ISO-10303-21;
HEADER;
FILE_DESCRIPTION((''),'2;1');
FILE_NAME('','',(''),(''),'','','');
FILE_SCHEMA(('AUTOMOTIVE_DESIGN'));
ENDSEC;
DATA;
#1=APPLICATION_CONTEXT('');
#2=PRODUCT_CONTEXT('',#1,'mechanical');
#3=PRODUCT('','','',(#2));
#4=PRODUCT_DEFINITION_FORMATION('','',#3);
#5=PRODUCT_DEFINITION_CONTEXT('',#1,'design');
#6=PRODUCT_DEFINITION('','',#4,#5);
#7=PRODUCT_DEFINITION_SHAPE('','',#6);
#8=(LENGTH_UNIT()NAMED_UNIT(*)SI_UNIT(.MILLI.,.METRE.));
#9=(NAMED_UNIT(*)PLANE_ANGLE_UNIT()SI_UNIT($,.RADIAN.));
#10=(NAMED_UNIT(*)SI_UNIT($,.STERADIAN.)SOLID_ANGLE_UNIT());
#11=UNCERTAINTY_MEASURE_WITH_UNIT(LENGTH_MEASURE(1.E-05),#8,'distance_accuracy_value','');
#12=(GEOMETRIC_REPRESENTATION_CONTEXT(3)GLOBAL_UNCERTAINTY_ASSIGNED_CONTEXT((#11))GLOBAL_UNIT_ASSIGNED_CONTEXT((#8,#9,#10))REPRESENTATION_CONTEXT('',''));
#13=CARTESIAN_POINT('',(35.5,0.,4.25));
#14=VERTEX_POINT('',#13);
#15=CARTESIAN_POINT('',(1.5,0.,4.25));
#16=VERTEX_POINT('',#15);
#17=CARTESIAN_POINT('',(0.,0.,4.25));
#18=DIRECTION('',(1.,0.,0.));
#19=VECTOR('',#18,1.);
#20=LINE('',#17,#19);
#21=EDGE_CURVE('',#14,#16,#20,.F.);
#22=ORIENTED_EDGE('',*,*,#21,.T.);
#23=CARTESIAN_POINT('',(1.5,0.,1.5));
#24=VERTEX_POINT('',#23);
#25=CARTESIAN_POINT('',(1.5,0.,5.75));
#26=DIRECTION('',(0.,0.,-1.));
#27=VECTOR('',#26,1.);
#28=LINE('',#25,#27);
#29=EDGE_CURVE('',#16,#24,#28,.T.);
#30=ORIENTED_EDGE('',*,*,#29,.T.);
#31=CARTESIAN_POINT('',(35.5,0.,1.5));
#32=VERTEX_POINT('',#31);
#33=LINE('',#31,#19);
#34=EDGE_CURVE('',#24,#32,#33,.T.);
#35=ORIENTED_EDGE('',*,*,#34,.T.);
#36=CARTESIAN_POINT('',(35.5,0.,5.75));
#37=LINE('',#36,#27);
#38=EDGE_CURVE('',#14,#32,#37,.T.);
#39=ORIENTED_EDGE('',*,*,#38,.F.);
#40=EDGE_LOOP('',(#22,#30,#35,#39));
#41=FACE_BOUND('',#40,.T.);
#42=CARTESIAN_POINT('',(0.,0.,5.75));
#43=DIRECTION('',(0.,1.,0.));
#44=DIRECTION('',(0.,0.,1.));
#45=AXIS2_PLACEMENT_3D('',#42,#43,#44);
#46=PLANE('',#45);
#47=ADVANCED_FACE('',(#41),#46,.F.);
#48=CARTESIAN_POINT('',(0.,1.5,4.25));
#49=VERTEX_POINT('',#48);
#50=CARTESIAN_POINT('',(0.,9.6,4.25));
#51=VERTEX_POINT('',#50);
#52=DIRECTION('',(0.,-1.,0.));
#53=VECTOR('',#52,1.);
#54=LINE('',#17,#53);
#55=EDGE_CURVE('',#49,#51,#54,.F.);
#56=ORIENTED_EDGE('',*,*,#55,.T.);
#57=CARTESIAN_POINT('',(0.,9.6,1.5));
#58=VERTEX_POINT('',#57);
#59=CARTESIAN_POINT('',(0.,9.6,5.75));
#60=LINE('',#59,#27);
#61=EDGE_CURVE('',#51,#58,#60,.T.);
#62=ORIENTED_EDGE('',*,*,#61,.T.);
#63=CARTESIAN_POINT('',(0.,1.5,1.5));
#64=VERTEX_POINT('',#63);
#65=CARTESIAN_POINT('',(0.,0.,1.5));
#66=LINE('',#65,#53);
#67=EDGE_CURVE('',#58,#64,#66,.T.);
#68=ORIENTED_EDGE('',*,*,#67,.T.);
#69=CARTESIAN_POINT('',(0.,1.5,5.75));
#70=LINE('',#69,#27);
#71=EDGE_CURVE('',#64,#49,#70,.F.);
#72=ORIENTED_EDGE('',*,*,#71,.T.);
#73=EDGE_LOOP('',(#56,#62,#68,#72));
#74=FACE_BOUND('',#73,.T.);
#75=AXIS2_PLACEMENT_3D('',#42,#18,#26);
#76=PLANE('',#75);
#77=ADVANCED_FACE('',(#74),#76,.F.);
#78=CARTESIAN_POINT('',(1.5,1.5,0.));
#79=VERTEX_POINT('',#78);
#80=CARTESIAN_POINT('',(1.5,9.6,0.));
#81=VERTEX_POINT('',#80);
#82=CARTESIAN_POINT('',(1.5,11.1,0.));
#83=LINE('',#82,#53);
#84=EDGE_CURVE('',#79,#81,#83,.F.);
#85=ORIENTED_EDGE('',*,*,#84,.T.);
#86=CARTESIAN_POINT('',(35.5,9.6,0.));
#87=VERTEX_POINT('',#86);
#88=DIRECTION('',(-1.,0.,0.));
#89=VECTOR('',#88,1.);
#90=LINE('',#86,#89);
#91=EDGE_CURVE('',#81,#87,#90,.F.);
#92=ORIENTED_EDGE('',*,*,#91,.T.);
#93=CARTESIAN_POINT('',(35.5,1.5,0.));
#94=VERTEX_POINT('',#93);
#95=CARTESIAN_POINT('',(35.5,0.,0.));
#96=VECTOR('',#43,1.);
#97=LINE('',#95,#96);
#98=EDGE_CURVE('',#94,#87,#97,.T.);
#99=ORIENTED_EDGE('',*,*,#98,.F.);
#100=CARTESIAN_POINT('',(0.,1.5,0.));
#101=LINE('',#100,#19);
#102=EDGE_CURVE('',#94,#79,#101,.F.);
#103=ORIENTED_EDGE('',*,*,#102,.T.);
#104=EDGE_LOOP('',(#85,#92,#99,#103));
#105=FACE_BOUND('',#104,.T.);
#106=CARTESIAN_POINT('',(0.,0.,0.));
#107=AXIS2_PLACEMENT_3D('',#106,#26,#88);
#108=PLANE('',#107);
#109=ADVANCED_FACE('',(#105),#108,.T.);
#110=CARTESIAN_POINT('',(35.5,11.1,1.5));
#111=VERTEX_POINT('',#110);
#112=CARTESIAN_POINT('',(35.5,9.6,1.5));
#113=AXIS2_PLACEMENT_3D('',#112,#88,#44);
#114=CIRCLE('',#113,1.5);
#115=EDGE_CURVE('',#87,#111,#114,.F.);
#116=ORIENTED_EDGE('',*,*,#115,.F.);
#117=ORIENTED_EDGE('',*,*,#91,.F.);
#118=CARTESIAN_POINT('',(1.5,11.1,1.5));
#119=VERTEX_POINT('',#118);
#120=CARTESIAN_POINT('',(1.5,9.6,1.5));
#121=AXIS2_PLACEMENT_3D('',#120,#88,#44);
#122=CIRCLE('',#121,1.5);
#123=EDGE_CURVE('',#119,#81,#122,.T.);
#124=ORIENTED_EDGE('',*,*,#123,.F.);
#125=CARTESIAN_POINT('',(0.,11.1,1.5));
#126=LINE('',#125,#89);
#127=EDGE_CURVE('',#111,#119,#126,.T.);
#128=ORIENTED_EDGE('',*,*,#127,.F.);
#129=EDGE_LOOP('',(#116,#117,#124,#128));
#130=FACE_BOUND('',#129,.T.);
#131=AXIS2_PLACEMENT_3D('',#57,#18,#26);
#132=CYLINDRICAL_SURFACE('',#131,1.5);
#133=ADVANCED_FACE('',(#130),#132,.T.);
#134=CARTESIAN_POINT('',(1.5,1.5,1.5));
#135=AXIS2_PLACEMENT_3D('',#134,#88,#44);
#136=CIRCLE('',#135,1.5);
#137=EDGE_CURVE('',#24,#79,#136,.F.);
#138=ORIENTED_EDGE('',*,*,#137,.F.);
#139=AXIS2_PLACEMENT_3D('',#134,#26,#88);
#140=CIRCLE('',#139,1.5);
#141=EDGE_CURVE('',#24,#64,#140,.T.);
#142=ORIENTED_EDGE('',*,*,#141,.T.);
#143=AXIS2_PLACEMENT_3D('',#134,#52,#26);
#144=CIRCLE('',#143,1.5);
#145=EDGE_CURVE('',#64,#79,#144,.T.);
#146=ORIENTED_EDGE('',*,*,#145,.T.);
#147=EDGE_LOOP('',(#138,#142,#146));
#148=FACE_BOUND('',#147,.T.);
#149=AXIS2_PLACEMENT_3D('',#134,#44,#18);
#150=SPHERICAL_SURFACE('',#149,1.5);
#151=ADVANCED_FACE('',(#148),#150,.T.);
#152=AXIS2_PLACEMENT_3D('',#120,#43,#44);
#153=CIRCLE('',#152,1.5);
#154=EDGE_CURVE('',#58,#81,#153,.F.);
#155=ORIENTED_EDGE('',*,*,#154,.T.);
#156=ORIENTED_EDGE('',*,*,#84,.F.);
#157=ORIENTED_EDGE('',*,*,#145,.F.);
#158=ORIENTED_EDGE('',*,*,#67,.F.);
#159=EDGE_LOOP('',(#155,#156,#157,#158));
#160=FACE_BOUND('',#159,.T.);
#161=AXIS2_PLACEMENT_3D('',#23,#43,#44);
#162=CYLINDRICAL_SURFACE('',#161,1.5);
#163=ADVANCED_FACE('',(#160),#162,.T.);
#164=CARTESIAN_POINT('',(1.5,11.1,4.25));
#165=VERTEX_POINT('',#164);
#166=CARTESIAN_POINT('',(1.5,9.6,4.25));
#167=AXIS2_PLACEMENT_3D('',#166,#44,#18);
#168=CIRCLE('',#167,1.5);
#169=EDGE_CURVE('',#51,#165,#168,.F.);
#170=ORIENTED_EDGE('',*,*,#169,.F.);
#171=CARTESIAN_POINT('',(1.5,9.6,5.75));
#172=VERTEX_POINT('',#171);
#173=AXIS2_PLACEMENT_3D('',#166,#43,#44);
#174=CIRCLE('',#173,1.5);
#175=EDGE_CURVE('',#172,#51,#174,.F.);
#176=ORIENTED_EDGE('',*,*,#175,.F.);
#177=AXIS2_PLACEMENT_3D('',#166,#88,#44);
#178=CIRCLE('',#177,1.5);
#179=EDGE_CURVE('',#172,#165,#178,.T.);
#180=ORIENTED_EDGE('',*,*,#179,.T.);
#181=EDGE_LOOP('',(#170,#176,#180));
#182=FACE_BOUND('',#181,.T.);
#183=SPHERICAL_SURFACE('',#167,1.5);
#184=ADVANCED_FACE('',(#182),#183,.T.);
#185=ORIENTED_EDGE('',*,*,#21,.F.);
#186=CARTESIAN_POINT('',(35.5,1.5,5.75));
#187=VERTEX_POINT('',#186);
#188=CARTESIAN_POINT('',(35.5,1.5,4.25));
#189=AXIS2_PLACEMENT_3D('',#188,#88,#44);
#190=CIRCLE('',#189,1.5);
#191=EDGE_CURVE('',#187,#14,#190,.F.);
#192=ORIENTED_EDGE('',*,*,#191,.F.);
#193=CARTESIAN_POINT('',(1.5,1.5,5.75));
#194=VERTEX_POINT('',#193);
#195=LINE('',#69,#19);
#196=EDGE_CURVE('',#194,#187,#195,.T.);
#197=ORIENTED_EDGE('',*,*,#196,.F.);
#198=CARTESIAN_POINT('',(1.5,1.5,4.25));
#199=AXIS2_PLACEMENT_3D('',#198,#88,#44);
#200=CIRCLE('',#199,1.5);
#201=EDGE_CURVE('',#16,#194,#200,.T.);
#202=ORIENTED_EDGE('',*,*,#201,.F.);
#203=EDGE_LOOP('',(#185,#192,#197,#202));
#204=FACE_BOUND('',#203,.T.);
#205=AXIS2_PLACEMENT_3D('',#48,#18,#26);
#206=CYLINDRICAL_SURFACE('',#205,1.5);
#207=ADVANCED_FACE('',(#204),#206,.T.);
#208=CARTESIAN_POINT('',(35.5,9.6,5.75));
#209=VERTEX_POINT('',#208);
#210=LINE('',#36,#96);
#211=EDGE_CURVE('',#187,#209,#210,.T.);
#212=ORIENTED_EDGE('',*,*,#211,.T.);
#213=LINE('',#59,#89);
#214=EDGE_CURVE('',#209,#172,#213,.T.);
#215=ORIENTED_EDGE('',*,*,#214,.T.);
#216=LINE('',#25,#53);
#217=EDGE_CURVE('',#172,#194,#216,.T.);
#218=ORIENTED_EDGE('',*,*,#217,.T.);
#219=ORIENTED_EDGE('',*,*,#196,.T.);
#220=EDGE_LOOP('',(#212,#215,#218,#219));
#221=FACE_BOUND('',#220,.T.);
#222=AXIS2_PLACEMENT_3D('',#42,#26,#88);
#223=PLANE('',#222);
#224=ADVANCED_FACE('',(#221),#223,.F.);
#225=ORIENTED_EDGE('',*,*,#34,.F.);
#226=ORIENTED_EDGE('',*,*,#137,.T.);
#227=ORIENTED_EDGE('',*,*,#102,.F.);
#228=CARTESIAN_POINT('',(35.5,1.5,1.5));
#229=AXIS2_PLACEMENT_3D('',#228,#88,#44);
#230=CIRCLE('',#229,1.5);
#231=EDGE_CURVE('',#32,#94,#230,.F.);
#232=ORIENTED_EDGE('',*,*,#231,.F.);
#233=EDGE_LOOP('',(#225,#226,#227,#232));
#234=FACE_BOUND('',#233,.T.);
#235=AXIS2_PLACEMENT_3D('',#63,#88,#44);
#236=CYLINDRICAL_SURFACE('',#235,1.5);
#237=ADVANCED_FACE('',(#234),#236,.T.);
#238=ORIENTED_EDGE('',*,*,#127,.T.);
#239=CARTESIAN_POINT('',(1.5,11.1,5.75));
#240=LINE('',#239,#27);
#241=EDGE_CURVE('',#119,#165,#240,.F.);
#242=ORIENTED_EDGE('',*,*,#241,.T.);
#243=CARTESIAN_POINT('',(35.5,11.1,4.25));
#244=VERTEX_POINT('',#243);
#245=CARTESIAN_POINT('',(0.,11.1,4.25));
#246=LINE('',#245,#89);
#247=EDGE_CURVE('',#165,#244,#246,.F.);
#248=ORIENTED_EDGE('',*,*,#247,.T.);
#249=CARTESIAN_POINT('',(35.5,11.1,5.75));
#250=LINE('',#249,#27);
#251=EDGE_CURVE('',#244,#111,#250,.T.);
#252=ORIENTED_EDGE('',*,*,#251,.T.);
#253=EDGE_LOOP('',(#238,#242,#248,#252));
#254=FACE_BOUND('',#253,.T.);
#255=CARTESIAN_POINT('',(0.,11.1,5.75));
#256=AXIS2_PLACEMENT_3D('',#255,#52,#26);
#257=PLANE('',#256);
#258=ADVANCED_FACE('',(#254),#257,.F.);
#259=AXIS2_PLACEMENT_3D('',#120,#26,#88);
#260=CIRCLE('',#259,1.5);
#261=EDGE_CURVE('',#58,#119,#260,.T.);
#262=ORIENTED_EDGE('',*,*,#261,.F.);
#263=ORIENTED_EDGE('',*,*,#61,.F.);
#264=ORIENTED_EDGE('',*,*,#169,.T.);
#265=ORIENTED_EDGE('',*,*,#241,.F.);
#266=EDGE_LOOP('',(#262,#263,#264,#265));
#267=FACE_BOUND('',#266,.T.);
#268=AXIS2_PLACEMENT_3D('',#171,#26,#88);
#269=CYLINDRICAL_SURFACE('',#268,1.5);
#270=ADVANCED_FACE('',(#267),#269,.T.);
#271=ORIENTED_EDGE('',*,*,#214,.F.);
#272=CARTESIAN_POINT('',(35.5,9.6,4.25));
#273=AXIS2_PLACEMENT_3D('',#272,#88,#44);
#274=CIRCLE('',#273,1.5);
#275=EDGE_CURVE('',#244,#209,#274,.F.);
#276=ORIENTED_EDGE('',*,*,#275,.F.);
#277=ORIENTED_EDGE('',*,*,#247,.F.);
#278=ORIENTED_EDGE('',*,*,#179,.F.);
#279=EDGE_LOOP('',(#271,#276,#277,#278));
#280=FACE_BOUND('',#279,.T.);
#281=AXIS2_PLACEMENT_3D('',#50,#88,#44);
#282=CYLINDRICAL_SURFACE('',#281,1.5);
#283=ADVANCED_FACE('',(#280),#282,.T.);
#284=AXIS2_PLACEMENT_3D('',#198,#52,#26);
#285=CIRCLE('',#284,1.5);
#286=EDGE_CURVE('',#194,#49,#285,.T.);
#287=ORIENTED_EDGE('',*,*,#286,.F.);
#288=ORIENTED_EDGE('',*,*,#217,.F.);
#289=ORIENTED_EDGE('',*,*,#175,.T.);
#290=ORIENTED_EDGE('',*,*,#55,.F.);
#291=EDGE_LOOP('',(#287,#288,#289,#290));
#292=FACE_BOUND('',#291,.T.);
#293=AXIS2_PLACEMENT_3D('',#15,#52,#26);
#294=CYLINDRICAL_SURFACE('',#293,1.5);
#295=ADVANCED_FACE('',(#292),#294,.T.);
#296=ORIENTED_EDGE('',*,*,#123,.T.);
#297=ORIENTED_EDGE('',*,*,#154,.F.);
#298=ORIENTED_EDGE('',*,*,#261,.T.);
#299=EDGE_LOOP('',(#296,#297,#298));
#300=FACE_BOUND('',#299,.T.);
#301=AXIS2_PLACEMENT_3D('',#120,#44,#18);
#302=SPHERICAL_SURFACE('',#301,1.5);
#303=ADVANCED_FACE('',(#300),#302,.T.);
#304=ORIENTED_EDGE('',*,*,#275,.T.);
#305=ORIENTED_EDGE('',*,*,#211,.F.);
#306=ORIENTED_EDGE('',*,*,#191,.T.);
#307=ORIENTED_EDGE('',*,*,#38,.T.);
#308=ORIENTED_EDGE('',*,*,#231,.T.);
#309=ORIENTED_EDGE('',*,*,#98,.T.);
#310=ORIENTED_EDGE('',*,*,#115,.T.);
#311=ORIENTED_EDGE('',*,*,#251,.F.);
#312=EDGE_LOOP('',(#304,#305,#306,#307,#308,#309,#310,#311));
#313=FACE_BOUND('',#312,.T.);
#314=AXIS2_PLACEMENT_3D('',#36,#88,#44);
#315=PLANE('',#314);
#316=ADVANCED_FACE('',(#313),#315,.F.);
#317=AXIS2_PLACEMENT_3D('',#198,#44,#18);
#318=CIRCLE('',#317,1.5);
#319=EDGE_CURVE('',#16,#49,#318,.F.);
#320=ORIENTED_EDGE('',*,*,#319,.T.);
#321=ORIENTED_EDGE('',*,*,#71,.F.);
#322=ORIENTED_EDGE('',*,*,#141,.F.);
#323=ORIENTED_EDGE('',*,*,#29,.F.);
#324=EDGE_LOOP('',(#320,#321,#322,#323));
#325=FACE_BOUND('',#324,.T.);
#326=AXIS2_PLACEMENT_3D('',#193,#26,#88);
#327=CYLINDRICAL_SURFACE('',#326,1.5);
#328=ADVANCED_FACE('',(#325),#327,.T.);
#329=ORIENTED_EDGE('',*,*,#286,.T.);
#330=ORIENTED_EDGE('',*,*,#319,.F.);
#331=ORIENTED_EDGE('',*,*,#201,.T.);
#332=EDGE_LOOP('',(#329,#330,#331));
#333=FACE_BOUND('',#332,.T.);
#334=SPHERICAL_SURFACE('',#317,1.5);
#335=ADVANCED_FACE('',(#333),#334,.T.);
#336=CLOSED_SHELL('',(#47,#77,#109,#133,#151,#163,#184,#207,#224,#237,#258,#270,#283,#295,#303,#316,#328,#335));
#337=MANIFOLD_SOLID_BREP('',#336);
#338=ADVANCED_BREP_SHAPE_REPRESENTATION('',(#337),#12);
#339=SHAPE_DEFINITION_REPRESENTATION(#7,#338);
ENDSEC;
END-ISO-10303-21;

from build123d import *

# Parameters (mm, degrees)
SKETCH1_W           = 35.5
SKETCH1_H           = 11.1
BOSS_EXTRUDE1_DEPTH = 5.75
FILLET1_R           = 1.5


with BuildPart() as part:
    # Sketch1 → Boss-Extrude1 (new body)
    with BuildSketch(Plane.XY):
        with Locations((17.75, 5.55)):
            Rectangle(SKETCH1_W, SKETCH1_H)
    extrude(amount=BOSS_EXTRUDE1_DEPTH)

    # Fillet1
    fillet1_edges = [part.edges().sort_by_distance(p)[0] for p in [
        (17.75, 11.1, 5.75),
        (0, 5.55, 5.75),
        (17.75, 11.1, 0),
        (17.75, 0, 0),
        (0, 5.55, 0),
        (17.75, 0, 5.75),
        (0, 11.1, 2.875),
        (0, 0, 2.875),
    ]]
    fillet(fillet1_edges, radius=FILLET1_R)


solid = part.part
